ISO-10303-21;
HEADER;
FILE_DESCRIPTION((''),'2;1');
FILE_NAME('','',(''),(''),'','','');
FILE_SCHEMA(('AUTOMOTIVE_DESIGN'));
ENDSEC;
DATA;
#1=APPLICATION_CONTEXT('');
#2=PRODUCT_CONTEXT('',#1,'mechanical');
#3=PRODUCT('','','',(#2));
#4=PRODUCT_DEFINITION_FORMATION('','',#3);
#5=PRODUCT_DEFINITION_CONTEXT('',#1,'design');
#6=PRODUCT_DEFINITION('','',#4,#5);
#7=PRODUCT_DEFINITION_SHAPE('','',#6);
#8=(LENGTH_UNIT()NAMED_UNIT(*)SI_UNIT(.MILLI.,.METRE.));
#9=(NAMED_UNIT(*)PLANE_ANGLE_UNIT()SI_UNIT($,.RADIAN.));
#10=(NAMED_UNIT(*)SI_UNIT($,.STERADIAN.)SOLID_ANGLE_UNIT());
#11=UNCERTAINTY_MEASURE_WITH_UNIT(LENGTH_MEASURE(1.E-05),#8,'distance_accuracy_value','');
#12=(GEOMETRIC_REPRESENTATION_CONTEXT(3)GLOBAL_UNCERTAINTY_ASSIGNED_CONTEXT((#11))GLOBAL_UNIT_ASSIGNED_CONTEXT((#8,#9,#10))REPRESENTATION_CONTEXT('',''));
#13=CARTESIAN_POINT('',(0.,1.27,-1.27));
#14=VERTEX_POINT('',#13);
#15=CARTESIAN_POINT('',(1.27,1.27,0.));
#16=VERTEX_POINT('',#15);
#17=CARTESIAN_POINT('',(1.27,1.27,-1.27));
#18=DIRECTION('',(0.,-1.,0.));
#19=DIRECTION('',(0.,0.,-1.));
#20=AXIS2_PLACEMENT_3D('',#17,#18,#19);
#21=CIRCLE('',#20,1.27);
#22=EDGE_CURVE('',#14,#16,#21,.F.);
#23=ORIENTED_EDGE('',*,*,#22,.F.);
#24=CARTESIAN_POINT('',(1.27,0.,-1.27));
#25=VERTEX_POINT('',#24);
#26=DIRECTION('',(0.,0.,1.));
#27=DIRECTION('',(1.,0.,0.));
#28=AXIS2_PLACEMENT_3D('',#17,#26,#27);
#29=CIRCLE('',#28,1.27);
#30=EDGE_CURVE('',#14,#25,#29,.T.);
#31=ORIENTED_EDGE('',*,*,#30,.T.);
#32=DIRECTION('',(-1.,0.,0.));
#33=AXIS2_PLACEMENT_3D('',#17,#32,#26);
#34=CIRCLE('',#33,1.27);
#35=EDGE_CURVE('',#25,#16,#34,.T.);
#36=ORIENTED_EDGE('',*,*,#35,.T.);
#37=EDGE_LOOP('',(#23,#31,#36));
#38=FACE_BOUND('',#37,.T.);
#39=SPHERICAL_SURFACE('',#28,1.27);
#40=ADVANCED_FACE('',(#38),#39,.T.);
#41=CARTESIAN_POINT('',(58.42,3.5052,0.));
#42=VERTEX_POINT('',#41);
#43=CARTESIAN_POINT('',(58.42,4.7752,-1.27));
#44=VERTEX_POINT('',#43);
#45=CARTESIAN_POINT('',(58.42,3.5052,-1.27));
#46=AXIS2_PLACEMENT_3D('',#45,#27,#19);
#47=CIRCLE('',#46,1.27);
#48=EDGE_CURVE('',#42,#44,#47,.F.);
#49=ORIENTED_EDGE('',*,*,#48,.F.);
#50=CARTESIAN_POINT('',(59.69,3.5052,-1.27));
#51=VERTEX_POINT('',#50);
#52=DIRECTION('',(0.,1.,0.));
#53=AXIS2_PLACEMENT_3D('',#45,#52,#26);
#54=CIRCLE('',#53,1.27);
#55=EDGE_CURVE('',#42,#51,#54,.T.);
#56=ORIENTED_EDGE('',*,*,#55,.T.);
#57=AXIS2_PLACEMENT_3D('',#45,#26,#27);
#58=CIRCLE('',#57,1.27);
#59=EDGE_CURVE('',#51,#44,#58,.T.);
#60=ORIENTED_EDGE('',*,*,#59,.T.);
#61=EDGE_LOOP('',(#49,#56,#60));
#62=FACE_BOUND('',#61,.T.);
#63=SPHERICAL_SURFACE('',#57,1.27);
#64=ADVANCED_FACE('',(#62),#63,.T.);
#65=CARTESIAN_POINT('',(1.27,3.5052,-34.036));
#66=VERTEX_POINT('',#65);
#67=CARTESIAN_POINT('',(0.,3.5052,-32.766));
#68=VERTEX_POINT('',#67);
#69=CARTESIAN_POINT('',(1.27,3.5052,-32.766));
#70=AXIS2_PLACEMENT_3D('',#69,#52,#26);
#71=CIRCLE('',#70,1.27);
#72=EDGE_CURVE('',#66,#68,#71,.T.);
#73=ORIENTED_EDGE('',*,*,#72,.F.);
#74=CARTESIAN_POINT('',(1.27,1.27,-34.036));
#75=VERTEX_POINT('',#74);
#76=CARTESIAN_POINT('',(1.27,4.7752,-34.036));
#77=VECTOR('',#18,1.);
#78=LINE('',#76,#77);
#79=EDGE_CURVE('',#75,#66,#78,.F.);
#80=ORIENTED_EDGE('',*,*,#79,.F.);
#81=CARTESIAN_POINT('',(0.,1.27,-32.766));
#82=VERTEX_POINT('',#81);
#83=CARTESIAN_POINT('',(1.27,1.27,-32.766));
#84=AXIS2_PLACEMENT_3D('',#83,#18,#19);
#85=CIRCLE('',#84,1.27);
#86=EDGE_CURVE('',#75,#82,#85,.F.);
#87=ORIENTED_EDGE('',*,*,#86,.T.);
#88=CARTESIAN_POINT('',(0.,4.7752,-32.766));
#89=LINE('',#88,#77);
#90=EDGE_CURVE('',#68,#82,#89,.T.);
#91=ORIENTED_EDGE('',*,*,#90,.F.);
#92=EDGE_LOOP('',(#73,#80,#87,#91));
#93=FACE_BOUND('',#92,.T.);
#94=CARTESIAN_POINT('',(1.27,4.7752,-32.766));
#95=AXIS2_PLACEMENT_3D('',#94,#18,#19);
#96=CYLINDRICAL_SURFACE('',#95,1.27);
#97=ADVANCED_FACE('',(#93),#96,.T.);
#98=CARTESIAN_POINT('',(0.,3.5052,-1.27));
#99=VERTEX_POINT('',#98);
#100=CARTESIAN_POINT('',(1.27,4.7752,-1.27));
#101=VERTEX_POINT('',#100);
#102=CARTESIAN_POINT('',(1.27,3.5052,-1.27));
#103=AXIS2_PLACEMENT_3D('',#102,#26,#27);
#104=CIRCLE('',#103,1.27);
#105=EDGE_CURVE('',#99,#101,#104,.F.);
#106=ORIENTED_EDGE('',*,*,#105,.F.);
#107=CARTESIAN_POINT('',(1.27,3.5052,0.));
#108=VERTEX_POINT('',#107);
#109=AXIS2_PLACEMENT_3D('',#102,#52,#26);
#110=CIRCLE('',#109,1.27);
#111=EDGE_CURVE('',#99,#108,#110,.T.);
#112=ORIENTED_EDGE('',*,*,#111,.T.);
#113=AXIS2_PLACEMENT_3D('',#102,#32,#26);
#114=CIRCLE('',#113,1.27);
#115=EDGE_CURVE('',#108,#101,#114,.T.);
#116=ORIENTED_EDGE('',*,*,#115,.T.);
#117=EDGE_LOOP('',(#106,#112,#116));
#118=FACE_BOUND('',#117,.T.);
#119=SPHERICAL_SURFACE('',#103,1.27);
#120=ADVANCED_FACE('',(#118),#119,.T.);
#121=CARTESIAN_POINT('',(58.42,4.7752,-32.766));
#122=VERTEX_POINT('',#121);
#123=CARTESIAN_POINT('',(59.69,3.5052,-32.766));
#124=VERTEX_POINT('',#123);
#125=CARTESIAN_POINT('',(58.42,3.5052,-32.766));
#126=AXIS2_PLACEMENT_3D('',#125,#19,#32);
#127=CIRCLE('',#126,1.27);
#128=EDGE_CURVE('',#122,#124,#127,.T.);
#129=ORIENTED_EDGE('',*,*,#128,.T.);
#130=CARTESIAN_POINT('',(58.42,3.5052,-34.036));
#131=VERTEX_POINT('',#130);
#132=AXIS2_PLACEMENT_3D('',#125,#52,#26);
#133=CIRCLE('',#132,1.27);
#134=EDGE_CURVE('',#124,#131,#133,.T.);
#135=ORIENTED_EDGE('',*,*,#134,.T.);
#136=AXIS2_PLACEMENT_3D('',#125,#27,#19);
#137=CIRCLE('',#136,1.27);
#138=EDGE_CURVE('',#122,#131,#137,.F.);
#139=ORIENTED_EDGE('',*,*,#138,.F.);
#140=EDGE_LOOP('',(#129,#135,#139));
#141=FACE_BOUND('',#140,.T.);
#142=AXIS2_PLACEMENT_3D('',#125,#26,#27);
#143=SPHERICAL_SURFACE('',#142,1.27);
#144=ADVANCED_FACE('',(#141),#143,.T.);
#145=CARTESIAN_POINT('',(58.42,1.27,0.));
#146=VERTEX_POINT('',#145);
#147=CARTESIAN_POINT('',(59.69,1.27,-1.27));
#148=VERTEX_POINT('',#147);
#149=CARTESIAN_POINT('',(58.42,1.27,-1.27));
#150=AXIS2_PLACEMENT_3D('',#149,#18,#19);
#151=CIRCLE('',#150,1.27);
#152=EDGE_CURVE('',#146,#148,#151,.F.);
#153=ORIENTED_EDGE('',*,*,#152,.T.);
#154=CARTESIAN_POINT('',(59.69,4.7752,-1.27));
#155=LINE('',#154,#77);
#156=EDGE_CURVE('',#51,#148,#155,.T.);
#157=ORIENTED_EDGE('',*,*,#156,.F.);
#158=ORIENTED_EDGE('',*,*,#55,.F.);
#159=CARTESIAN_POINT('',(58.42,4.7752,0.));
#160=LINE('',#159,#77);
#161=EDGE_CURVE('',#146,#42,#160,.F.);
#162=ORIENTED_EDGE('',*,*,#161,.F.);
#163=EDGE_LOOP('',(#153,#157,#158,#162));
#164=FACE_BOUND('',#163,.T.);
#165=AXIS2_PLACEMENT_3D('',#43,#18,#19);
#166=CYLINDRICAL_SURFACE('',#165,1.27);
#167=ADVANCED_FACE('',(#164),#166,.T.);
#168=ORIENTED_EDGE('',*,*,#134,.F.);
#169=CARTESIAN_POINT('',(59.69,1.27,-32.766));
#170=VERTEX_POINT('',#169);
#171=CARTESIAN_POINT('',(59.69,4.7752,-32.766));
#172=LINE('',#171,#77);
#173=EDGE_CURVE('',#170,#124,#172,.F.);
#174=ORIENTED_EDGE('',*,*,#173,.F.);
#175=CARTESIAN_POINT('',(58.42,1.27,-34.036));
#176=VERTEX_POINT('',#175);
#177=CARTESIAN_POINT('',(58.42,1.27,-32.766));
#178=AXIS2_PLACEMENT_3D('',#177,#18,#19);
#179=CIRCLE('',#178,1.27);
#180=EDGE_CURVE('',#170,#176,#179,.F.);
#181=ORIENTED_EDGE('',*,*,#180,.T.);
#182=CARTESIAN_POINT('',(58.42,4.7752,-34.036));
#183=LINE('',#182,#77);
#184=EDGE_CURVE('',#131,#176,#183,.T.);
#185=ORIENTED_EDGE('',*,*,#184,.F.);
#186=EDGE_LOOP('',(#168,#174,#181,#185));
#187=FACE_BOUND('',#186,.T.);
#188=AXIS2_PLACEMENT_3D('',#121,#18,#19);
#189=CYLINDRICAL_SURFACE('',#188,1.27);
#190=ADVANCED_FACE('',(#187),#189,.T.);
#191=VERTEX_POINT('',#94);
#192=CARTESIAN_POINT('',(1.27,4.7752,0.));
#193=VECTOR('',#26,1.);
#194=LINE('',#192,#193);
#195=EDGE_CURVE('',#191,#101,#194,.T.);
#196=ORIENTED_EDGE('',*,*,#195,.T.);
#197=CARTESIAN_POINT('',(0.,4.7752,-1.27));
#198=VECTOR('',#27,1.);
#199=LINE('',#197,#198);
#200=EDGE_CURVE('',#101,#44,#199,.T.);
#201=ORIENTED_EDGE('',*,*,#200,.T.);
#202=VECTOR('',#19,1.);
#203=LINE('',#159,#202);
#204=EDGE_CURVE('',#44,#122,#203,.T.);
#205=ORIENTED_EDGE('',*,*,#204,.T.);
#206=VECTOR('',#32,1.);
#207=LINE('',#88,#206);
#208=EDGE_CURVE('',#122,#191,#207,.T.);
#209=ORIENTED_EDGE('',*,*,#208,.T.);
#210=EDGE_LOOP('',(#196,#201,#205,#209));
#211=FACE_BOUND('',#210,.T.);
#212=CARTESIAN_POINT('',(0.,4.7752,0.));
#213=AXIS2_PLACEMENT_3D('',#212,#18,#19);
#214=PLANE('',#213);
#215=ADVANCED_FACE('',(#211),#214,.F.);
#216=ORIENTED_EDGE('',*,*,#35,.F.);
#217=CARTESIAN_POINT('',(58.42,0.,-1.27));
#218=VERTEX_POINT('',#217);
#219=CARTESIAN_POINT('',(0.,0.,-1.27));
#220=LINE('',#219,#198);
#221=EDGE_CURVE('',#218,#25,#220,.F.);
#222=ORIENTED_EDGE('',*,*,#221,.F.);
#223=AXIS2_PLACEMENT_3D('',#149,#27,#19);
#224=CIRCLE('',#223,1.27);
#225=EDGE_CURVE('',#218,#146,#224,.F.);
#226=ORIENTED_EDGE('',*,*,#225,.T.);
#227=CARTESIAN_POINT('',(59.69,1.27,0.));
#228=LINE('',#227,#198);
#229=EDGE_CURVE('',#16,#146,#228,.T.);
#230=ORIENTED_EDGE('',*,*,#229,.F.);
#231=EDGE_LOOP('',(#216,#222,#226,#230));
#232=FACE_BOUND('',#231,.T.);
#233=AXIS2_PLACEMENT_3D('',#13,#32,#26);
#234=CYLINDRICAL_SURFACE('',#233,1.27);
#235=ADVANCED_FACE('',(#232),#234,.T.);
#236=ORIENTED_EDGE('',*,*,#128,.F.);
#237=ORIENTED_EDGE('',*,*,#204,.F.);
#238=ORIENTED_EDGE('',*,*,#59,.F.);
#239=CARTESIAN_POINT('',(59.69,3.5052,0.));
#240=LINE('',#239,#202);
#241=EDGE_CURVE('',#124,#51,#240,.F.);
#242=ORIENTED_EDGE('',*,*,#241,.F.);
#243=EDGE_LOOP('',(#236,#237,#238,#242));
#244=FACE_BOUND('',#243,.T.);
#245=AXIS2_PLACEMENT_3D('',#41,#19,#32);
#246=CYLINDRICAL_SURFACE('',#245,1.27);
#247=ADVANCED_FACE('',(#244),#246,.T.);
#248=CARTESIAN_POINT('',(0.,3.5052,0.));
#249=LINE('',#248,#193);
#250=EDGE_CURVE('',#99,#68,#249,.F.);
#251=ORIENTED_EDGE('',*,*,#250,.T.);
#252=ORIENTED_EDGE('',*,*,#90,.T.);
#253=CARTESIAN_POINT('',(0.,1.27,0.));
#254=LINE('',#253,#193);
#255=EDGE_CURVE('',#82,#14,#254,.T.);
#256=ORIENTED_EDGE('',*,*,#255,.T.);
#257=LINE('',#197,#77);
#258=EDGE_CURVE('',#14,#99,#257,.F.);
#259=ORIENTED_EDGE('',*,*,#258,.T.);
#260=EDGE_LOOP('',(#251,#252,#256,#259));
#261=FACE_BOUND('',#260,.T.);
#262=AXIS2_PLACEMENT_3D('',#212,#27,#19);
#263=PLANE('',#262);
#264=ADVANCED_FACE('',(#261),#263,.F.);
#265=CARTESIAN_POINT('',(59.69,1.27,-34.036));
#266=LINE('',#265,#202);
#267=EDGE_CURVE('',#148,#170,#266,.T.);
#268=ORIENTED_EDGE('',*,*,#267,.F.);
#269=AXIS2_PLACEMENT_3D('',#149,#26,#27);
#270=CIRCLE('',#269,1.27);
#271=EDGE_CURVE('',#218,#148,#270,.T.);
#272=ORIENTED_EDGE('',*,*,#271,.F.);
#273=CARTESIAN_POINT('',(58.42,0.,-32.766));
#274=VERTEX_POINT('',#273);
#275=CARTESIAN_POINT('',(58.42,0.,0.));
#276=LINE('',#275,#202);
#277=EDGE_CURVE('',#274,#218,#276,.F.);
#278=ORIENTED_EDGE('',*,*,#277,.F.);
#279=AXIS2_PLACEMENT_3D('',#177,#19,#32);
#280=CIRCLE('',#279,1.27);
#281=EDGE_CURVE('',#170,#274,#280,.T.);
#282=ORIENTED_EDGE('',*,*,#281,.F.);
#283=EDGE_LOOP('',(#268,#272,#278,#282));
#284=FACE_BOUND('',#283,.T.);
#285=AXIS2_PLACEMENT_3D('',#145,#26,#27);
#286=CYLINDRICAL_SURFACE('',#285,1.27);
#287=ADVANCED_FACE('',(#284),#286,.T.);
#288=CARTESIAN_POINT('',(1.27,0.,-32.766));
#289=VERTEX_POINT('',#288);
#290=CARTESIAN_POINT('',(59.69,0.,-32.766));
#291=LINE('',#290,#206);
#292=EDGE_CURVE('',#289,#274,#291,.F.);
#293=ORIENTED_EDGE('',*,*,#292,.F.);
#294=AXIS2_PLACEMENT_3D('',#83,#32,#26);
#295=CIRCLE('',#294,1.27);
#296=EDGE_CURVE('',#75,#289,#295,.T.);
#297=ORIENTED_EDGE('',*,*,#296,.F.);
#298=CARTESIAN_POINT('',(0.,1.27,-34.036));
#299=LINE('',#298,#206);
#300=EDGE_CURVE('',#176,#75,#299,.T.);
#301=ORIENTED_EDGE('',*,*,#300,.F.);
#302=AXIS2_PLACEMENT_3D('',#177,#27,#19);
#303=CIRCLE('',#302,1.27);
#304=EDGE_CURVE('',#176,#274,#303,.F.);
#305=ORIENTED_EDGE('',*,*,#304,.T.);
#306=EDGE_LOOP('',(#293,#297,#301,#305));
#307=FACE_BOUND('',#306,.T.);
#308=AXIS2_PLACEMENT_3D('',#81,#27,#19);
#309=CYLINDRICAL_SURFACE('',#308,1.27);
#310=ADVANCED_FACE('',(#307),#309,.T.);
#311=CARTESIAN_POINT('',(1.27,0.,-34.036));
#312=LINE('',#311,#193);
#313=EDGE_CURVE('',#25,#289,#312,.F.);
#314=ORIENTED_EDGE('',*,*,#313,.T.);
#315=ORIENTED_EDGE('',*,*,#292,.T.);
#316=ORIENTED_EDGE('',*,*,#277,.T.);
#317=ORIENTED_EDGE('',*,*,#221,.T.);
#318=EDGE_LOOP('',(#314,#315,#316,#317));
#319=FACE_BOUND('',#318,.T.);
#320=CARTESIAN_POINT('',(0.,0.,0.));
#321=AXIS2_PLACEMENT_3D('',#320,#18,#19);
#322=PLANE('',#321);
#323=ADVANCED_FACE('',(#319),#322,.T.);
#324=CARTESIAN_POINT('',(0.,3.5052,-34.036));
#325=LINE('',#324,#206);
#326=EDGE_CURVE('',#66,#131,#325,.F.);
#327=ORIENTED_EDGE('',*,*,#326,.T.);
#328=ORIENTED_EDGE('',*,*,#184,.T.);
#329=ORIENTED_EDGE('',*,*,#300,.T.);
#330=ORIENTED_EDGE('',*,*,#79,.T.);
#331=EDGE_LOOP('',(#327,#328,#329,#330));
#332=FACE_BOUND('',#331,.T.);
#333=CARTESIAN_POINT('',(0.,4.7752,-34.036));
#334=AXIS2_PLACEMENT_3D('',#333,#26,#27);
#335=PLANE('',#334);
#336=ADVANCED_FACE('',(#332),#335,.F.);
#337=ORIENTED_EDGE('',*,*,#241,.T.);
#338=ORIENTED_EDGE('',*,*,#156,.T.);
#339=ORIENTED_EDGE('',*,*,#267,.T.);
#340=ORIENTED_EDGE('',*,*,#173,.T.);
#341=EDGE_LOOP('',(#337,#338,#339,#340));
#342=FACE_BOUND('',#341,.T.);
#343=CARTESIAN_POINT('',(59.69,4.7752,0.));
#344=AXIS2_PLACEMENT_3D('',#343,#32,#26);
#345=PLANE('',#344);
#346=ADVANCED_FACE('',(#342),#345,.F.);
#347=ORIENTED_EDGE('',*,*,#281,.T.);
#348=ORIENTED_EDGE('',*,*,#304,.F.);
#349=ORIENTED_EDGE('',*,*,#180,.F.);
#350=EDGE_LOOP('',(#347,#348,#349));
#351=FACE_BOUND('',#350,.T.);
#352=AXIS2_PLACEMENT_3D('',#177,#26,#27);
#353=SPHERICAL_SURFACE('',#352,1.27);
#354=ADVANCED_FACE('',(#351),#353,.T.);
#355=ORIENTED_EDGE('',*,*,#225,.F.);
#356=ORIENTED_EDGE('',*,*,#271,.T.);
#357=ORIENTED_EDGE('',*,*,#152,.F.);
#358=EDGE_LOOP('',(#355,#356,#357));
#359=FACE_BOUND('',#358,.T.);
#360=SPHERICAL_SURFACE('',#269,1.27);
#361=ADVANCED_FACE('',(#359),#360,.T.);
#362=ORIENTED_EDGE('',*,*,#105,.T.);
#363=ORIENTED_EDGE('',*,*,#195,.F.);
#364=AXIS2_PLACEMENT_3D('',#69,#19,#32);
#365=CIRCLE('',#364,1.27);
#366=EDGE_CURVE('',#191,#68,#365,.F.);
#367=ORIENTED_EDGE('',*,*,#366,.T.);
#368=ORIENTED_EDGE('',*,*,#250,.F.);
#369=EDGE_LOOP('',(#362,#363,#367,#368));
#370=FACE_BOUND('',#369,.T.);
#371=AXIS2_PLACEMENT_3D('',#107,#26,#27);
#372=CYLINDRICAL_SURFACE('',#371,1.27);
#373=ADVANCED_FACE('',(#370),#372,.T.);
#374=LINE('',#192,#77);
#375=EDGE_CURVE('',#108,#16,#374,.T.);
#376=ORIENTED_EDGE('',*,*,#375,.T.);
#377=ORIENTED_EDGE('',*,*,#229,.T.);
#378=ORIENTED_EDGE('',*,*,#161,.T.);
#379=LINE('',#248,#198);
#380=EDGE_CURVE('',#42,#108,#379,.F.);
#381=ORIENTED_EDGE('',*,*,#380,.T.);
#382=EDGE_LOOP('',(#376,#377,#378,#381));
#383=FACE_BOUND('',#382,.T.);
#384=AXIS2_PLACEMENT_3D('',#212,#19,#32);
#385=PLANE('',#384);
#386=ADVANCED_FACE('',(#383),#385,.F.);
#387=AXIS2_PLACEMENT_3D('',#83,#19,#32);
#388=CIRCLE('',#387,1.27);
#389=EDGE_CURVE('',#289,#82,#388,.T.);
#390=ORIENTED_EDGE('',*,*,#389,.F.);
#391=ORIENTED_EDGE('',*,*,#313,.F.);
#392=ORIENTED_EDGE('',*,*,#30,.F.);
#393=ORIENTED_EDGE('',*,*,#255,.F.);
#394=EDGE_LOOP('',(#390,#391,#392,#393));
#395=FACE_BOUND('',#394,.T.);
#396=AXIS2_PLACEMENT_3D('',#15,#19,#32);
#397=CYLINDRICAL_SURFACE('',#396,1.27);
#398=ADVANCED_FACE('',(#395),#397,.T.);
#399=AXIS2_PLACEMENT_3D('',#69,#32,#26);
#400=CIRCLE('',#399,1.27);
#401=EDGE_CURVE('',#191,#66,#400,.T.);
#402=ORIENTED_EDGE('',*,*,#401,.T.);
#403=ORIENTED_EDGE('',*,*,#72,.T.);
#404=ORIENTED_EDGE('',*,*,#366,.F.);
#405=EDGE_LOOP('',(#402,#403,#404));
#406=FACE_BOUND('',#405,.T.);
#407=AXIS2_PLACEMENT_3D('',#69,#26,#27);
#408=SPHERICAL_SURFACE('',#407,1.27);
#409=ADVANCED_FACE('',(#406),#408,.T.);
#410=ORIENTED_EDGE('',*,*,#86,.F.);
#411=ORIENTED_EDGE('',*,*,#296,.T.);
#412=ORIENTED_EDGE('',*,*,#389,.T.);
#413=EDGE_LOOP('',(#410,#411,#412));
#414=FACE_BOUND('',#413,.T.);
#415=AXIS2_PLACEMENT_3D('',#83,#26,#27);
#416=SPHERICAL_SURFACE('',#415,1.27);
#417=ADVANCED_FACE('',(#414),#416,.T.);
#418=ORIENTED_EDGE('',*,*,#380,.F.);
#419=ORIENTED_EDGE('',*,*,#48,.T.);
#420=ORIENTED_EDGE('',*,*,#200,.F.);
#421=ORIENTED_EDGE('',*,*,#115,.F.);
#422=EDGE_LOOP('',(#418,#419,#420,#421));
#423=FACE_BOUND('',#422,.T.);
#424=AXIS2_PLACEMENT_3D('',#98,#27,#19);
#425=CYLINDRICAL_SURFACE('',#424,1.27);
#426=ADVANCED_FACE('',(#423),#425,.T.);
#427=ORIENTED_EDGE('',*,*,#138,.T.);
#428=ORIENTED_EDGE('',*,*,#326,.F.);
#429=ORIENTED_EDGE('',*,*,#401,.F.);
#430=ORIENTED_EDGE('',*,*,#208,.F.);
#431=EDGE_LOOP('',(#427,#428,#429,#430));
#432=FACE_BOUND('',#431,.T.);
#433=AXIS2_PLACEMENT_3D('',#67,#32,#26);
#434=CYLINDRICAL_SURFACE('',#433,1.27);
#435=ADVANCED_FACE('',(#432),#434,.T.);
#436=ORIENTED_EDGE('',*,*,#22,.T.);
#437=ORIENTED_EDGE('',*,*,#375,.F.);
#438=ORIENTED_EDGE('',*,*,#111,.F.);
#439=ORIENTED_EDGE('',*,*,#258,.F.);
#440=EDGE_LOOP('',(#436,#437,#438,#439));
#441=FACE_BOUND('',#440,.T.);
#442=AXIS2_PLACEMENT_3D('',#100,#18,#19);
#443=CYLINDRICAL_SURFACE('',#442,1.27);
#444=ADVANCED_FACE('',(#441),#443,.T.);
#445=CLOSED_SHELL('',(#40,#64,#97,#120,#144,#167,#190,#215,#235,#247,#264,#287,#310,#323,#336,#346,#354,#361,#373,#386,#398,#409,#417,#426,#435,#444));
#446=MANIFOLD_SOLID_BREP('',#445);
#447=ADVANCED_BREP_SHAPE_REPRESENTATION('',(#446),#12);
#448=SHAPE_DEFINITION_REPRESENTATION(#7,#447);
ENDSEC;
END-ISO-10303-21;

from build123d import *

# Parameters (mm, degrees)
SKETCH1_W           = 59.69
SKETCH1_H           = 34.036
BOSS_EXTRUDE1_DEPTH = 4.7752
FILLET1_R           = 1.27


with BuildPart() as part:
    # Sketch1 → Boss-Extrude1 (new body)
    with BuildSketch(Plane(origin=(0, 0, 0), x_dir=(1, 0, 0), z_dir=(0, 1, 0))):
        with Locations((29.845, 17.018)):
            Rectangle(SKETCH1_W, SKETCH1_H)
    extrude(amount=BOSS_EXTRUDE1_DEPTH)

    # Fillet1
    fillet1_edges = [part.edges().sort_by_distance(p)[0] for p in [
        (59.69, 4.7752, -17.018),
        (29.845, 4.7752, -34.036),
        (0, 4.7752, -17.018),
        (29.845, 0, -34.036),
        (59.69, 0, -17.018),
        (29.845, 0, 0),
        (0, 0, -17.018),
        (29.845, 4.7752, 0),
        (0, 2.3876, -34.036),
        (59.69, 2.3876, -34.036),
        (59.69, 2.3876, 0),
        (0, 2.3876, 0),
    ]]
    fillet(fillet1_edges, radius=FILLET1_R)


solid = part.part
